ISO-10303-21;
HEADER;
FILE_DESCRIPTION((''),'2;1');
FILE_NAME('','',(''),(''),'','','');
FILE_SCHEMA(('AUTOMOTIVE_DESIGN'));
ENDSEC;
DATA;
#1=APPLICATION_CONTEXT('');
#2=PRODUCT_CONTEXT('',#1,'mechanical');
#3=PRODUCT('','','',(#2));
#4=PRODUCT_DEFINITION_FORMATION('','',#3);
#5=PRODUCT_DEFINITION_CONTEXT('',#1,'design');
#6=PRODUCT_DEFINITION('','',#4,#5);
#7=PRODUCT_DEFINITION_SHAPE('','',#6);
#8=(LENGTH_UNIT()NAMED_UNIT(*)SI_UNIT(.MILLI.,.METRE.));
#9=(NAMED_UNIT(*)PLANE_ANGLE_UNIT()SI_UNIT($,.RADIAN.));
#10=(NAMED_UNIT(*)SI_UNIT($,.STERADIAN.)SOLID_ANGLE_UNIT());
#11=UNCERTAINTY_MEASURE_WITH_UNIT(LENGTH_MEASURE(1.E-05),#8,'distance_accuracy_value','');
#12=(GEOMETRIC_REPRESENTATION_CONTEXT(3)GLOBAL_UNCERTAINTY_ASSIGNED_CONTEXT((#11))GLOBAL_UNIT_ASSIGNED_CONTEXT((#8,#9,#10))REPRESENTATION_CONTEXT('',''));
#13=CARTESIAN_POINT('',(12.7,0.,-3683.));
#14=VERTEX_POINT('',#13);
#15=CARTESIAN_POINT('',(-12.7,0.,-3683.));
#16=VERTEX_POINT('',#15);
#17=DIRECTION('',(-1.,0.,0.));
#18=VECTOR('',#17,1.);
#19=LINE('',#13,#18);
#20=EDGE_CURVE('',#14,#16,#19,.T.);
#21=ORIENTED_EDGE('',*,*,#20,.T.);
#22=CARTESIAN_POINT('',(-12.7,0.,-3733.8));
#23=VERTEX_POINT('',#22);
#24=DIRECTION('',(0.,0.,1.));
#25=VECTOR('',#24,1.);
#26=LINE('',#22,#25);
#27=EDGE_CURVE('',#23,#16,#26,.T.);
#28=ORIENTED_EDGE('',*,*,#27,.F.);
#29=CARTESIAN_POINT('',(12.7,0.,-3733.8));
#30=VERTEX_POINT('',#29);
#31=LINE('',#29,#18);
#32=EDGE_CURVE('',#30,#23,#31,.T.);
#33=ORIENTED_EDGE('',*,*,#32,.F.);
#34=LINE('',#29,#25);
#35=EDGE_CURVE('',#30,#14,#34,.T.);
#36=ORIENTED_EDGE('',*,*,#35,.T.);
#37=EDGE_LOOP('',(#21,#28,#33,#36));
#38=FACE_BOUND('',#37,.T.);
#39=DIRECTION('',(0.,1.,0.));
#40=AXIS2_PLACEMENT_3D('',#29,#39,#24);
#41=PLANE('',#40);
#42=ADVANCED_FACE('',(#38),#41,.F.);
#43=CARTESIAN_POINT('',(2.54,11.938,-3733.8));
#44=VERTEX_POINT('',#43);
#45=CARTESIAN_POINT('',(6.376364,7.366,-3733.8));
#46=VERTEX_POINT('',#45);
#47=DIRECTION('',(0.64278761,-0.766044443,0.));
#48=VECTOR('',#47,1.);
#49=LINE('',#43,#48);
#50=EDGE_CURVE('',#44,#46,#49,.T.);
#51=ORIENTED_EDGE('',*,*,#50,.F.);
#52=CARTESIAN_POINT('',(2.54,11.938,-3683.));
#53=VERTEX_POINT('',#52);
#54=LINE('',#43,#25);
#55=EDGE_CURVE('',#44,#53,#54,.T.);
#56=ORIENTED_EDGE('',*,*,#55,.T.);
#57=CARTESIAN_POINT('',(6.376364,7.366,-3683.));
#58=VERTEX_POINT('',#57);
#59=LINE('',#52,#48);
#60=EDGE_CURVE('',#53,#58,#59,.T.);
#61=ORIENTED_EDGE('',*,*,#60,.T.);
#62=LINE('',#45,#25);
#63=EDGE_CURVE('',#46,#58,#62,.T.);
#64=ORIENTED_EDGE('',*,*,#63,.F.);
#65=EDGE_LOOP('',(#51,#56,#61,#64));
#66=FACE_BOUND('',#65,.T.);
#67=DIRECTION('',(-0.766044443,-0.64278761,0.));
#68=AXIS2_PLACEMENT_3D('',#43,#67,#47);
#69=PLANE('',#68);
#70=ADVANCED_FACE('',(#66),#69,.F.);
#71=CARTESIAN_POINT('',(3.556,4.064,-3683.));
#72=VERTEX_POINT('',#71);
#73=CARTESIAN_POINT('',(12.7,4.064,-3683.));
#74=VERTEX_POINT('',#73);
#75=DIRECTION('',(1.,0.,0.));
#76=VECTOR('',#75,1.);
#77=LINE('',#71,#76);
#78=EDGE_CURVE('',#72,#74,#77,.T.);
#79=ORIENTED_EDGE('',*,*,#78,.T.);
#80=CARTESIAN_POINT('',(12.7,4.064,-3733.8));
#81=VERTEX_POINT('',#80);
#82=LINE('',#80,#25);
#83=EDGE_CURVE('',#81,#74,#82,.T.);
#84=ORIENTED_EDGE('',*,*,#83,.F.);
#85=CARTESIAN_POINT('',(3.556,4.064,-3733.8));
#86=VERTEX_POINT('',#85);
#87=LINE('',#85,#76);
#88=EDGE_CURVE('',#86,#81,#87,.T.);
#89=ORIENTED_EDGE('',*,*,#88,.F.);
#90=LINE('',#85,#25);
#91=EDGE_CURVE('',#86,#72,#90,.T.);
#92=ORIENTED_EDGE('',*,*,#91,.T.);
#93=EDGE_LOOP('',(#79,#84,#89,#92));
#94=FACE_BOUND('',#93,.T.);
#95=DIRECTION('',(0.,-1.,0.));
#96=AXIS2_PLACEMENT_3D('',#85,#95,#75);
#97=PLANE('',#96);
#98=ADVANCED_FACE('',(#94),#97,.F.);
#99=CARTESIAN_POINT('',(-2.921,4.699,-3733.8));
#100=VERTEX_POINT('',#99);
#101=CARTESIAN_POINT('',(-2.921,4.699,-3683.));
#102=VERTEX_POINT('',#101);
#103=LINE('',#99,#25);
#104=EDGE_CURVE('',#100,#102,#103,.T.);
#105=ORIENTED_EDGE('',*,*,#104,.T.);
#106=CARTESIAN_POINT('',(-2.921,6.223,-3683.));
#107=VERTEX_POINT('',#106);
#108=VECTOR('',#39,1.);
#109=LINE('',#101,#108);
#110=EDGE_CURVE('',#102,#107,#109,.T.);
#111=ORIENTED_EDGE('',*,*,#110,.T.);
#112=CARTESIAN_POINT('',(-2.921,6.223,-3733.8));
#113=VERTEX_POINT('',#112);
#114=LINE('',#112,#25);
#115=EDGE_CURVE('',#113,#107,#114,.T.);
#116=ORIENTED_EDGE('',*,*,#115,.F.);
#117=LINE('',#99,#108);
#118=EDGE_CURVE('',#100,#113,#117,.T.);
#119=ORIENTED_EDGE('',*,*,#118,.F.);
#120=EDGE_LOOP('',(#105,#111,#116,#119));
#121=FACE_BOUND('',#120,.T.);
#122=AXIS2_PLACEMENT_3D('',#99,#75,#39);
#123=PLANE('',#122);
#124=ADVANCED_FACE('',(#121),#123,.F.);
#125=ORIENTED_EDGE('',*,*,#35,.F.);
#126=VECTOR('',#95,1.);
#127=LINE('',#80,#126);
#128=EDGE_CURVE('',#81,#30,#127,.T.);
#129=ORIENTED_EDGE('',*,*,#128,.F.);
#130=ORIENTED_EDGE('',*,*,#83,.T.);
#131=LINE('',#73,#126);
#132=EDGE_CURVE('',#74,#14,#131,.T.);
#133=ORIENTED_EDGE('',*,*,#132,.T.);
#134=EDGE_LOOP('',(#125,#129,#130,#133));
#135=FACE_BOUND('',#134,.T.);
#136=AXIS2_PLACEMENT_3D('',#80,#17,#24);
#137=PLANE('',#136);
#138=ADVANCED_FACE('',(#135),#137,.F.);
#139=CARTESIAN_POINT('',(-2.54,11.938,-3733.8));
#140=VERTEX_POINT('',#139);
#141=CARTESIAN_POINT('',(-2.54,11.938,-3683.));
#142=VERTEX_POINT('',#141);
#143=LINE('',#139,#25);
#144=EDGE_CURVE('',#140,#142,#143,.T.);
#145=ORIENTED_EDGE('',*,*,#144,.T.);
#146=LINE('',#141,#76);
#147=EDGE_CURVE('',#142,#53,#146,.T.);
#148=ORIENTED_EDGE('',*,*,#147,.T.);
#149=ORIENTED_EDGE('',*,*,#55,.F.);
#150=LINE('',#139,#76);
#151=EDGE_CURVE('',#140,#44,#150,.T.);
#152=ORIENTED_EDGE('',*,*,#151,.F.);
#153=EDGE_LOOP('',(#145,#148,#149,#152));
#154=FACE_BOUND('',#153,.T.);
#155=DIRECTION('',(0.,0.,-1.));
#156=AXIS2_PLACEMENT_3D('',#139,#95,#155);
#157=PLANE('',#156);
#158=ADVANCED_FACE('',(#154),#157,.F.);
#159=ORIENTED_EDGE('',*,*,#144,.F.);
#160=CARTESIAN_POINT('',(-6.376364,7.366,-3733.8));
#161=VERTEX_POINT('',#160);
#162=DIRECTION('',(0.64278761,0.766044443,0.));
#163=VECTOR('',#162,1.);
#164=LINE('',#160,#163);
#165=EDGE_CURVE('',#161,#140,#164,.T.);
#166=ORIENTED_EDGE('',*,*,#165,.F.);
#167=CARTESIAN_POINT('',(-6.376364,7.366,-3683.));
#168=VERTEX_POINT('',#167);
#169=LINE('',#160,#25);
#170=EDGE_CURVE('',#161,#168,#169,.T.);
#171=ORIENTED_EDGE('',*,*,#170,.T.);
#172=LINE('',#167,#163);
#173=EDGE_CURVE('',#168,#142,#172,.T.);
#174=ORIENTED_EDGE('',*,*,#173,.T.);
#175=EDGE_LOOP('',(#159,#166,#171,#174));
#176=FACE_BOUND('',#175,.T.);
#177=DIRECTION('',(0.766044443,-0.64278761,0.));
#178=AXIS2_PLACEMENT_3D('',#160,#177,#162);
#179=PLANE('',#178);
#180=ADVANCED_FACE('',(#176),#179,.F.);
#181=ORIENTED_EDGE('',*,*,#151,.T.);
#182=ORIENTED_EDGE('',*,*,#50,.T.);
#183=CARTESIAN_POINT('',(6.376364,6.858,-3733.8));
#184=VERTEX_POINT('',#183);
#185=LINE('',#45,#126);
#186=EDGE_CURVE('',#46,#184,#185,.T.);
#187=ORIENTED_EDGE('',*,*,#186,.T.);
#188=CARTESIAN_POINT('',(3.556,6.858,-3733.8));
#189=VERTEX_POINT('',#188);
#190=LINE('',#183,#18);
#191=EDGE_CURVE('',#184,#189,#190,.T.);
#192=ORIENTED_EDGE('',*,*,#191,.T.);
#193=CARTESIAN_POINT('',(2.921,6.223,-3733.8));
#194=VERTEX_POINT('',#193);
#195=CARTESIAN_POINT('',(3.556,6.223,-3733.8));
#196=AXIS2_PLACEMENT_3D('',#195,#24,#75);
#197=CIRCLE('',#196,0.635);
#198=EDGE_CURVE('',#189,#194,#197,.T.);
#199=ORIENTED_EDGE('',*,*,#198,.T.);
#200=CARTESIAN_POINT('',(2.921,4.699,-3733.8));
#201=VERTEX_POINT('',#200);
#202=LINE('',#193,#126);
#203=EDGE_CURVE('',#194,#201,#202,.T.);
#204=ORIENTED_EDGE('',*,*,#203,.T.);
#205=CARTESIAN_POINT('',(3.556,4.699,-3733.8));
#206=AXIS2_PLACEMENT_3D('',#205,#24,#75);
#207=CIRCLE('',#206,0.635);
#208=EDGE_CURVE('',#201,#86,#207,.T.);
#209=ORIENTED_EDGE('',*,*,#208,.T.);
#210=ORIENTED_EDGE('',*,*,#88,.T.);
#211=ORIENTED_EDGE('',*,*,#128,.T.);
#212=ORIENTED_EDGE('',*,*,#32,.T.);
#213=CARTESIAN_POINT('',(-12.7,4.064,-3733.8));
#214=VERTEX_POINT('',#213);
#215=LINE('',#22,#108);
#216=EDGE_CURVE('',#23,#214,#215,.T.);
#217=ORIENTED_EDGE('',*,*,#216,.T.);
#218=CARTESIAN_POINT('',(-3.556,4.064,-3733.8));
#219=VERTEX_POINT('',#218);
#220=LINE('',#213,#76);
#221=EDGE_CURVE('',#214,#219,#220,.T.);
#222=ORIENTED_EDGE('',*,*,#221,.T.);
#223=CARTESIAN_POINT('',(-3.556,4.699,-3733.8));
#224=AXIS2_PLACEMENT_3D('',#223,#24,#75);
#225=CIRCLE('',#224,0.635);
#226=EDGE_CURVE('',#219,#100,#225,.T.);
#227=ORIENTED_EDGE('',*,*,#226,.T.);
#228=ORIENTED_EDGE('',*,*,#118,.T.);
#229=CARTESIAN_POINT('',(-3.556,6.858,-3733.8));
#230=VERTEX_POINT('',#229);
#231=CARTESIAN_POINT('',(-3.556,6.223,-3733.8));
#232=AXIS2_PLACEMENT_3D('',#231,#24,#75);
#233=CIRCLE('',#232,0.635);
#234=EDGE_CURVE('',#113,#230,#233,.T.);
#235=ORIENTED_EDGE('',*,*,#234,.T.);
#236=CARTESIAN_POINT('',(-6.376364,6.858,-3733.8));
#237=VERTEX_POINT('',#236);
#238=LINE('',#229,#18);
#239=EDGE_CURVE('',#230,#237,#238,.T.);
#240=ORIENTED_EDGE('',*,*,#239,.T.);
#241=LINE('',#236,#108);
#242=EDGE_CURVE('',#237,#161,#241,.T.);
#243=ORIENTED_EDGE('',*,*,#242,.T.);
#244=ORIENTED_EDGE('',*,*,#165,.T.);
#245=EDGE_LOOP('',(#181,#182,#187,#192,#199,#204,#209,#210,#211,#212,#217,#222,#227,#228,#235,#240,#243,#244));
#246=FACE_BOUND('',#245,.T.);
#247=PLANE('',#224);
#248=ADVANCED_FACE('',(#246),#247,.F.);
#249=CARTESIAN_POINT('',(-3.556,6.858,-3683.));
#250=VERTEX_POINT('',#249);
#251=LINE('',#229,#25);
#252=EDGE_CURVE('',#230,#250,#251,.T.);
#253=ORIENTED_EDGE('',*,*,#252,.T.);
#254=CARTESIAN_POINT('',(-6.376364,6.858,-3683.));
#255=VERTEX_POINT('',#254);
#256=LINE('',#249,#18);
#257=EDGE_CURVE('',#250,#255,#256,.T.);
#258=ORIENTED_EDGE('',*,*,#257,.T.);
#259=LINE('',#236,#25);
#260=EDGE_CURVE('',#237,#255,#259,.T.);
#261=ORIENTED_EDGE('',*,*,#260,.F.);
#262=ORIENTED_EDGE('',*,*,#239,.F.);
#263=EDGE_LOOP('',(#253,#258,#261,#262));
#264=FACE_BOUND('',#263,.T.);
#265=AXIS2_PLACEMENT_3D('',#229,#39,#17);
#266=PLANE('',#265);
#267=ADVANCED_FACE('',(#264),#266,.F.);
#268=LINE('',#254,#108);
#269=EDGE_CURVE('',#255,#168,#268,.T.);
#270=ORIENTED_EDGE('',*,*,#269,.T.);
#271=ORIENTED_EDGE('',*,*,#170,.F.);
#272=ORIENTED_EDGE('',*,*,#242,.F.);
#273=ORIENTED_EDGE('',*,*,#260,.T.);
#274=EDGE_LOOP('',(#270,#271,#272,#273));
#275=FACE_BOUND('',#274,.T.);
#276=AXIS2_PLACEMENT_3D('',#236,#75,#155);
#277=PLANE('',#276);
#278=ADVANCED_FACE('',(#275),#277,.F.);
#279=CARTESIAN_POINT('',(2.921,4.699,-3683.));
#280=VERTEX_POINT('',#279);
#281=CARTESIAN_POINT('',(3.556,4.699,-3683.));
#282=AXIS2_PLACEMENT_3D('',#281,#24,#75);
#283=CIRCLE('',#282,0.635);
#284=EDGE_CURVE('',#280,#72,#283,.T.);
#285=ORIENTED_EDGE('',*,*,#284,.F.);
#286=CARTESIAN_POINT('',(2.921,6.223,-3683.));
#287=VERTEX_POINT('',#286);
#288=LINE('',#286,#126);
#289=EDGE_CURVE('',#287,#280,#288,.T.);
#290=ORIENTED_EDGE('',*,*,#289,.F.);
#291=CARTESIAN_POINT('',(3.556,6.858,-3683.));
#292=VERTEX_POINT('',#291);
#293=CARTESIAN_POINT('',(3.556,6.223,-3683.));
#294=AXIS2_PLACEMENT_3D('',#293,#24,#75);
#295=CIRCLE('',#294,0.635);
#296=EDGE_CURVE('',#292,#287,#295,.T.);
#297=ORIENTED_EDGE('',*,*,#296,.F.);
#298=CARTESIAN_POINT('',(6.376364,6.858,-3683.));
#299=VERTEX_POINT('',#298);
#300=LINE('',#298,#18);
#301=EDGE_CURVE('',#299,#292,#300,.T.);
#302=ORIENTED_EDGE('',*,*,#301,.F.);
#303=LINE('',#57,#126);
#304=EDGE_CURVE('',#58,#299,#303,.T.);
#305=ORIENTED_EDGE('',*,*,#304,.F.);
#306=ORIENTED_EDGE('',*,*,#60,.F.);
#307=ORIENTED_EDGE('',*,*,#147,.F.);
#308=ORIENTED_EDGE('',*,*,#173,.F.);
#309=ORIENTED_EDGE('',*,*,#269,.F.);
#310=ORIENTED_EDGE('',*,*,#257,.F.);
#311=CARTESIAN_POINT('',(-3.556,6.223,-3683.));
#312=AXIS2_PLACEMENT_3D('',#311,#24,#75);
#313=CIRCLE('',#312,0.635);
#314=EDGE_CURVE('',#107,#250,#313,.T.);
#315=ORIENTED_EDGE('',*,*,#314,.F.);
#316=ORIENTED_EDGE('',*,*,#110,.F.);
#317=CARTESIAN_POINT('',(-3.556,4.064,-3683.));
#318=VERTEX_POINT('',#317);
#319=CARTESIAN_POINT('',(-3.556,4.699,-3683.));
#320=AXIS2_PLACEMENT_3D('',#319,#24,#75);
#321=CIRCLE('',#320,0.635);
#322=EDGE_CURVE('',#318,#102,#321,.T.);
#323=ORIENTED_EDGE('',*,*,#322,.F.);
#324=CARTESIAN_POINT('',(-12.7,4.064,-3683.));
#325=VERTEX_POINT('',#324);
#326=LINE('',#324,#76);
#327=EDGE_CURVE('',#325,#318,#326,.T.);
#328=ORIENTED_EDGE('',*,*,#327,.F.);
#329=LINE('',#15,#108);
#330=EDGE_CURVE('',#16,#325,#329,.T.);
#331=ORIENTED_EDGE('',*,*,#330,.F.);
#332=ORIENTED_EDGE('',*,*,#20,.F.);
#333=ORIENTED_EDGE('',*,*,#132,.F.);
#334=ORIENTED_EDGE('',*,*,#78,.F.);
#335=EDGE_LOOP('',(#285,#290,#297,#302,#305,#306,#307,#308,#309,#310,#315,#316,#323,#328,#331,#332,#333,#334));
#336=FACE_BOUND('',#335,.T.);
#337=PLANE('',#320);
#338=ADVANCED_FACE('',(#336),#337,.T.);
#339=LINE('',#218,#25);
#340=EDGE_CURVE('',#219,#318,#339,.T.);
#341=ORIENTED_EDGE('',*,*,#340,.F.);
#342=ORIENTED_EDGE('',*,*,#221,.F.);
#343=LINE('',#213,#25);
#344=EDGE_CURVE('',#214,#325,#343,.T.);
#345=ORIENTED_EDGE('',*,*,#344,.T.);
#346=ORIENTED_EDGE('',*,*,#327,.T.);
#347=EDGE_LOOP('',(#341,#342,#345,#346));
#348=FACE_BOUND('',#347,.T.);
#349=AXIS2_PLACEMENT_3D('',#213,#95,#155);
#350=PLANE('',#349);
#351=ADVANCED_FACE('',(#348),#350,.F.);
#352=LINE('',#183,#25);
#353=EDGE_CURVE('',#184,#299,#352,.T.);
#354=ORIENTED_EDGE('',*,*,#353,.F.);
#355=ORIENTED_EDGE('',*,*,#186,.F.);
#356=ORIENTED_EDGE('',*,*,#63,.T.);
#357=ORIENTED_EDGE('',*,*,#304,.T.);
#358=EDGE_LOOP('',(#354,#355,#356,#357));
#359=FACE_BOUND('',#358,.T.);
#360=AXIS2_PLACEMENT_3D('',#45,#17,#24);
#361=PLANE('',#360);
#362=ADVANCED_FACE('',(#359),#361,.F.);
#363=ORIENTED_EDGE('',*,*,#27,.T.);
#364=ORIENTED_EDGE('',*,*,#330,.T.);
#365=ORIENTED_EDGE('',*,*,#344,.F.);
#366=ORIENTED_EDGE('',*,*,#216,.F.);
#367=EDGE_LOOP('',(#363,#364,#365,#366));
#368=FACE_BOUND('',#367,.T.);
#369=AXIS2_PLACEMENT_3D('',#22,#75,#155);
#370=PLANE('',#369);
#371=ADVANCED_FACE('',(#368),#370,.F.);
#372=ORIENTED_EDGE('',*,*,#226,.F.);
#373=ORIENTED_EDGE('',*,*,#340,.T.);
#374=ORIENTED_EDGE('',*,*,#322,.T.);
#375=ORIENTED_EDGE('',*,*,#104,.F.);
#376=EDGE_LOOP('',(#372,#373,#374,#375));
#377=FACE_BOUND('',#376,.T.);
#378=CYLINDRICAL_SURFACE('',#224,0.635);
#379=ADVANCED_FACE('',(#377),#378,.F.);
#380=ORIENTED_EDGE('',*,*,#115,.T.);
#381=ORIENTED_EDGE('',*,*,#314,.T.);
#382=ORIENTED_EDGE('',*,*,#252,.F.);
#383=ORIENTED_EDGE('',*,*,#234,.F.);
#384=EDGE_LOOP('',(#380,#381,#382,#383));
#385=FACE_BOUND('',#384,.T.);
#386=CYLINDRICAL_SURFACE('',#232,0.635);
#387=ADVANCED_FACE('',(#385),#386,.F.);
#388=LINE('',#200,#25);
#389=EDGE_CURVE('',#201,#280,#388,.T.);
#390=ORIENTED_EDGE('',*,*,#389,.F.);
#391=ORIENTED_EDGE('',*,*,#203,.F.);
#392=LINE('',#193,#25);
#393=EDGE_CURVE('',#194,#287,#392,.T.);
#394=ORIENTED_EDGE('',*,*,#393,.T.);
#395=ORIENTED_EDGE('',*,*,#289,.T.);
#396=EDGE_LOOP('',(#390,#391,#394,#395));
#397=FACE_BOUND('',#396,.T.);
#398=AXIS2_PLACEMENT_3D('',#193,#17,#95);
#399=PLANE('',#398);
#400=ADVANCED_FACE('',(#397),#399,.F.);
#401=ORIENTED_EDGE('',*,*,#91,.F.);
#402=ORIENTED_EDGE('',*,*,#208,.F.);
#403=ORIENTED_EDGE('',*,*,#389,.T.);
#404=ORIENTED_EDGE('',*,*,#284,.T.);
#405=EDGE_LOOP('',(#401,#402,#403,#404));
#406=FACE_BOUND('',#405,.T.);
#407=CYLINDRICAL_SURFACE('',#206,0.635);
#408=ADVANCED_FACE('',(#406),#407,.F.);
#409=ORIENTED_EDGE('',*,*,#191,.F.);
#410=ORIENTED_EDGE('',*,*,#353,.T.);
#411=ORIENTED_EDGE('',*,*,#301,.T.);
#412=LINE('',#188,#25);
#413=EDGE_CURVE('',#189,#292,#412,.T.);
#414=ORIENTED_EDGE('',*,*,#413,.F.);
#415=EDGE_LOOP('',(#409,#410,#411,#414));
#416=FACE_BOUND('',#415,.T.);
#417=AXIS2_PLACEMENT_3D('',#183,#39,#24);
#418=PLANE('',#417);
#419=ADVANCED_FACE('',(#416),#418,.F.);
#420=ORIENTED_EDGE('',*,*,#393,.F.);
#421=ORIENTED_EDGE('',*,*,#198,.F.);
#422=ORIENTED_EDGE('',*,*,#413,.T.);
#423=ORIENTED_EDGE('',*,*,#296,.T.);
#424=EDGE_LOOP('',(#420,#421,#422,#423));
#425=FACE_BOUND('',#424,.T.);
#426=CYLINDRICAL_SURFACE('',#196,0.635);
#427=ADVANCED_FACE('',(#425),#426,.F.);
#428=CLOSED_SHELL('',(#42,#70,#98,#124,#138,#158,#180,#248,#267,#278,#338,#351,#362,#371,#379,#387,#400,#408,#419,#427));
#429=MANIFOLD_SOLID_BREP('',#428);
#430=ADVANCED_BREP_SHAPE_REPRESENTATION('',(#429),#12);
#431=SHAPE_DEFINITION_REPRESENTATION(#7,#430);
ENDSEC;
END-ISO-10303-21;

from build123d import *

# Parameters (mm, degrees)
BOSS_EXTRUDE6_DEPTH = 50.8


with BuildPart() as part:
    # Sketch1 → Boss-Extrude6 (new body)
    with BuildSketch(Plane(origin=(0, 0, -3683), x_dir=(-1, 0, 0), z_dir=(0, 0, -1))):
        with BuildLine():
            Line((12.7, 4.064), (3.556, 4.064))
            ThreePointArc((3.556, 4.064), (3.106987194, 4.249987194), (2.921, 4.699))
            Line((2.921, 4.699), (2.921, 6.223))
            ThreePointArc((2.921, 6.223), (3.106987194, 6.672012806), (3.556, 6.858))
            Line((3.556, 6.858), (6.376363549, 6.858))
            Line((6.376363549, 6.858), (6.376363549, 7.365999958))
            Line((6.376363549, 7.365999958), (2.54, 11.938))
            Line((2.54, 11.938), (-2.54, 11.938))
            Line((-2.54, 11.938), (-6.376363549, 7.365999958))
            Line((-6.376363549, 7.365999958), (-6.376363549, 6.858))
            Line((-6.376363549, 6.858), (-3.556, 6.858))
            ThreePointArc((-3.556, 6.858), (-3.106987194, 6.672012806), (-2.921, 6.223))
            Line((-2.921, 6.223), (-2.921, 4.699))
            ThreePointArc((-2.921, 4.699), (-3.106987194, 4.249987194), (-3.556, 4.064))
            Line((-3.556, 4.064), (-12.7, 4.064))
            Line((-12.7, 4.064), (-12.7, 0))
            Line((-12.7, 0), (12.7, 0))
            Line((12.7, 0), (12.7, 4.064))
        make_face()
    extrude(amount=BOSS_EXTRUDE6_DEPTH)


solid = part.part
